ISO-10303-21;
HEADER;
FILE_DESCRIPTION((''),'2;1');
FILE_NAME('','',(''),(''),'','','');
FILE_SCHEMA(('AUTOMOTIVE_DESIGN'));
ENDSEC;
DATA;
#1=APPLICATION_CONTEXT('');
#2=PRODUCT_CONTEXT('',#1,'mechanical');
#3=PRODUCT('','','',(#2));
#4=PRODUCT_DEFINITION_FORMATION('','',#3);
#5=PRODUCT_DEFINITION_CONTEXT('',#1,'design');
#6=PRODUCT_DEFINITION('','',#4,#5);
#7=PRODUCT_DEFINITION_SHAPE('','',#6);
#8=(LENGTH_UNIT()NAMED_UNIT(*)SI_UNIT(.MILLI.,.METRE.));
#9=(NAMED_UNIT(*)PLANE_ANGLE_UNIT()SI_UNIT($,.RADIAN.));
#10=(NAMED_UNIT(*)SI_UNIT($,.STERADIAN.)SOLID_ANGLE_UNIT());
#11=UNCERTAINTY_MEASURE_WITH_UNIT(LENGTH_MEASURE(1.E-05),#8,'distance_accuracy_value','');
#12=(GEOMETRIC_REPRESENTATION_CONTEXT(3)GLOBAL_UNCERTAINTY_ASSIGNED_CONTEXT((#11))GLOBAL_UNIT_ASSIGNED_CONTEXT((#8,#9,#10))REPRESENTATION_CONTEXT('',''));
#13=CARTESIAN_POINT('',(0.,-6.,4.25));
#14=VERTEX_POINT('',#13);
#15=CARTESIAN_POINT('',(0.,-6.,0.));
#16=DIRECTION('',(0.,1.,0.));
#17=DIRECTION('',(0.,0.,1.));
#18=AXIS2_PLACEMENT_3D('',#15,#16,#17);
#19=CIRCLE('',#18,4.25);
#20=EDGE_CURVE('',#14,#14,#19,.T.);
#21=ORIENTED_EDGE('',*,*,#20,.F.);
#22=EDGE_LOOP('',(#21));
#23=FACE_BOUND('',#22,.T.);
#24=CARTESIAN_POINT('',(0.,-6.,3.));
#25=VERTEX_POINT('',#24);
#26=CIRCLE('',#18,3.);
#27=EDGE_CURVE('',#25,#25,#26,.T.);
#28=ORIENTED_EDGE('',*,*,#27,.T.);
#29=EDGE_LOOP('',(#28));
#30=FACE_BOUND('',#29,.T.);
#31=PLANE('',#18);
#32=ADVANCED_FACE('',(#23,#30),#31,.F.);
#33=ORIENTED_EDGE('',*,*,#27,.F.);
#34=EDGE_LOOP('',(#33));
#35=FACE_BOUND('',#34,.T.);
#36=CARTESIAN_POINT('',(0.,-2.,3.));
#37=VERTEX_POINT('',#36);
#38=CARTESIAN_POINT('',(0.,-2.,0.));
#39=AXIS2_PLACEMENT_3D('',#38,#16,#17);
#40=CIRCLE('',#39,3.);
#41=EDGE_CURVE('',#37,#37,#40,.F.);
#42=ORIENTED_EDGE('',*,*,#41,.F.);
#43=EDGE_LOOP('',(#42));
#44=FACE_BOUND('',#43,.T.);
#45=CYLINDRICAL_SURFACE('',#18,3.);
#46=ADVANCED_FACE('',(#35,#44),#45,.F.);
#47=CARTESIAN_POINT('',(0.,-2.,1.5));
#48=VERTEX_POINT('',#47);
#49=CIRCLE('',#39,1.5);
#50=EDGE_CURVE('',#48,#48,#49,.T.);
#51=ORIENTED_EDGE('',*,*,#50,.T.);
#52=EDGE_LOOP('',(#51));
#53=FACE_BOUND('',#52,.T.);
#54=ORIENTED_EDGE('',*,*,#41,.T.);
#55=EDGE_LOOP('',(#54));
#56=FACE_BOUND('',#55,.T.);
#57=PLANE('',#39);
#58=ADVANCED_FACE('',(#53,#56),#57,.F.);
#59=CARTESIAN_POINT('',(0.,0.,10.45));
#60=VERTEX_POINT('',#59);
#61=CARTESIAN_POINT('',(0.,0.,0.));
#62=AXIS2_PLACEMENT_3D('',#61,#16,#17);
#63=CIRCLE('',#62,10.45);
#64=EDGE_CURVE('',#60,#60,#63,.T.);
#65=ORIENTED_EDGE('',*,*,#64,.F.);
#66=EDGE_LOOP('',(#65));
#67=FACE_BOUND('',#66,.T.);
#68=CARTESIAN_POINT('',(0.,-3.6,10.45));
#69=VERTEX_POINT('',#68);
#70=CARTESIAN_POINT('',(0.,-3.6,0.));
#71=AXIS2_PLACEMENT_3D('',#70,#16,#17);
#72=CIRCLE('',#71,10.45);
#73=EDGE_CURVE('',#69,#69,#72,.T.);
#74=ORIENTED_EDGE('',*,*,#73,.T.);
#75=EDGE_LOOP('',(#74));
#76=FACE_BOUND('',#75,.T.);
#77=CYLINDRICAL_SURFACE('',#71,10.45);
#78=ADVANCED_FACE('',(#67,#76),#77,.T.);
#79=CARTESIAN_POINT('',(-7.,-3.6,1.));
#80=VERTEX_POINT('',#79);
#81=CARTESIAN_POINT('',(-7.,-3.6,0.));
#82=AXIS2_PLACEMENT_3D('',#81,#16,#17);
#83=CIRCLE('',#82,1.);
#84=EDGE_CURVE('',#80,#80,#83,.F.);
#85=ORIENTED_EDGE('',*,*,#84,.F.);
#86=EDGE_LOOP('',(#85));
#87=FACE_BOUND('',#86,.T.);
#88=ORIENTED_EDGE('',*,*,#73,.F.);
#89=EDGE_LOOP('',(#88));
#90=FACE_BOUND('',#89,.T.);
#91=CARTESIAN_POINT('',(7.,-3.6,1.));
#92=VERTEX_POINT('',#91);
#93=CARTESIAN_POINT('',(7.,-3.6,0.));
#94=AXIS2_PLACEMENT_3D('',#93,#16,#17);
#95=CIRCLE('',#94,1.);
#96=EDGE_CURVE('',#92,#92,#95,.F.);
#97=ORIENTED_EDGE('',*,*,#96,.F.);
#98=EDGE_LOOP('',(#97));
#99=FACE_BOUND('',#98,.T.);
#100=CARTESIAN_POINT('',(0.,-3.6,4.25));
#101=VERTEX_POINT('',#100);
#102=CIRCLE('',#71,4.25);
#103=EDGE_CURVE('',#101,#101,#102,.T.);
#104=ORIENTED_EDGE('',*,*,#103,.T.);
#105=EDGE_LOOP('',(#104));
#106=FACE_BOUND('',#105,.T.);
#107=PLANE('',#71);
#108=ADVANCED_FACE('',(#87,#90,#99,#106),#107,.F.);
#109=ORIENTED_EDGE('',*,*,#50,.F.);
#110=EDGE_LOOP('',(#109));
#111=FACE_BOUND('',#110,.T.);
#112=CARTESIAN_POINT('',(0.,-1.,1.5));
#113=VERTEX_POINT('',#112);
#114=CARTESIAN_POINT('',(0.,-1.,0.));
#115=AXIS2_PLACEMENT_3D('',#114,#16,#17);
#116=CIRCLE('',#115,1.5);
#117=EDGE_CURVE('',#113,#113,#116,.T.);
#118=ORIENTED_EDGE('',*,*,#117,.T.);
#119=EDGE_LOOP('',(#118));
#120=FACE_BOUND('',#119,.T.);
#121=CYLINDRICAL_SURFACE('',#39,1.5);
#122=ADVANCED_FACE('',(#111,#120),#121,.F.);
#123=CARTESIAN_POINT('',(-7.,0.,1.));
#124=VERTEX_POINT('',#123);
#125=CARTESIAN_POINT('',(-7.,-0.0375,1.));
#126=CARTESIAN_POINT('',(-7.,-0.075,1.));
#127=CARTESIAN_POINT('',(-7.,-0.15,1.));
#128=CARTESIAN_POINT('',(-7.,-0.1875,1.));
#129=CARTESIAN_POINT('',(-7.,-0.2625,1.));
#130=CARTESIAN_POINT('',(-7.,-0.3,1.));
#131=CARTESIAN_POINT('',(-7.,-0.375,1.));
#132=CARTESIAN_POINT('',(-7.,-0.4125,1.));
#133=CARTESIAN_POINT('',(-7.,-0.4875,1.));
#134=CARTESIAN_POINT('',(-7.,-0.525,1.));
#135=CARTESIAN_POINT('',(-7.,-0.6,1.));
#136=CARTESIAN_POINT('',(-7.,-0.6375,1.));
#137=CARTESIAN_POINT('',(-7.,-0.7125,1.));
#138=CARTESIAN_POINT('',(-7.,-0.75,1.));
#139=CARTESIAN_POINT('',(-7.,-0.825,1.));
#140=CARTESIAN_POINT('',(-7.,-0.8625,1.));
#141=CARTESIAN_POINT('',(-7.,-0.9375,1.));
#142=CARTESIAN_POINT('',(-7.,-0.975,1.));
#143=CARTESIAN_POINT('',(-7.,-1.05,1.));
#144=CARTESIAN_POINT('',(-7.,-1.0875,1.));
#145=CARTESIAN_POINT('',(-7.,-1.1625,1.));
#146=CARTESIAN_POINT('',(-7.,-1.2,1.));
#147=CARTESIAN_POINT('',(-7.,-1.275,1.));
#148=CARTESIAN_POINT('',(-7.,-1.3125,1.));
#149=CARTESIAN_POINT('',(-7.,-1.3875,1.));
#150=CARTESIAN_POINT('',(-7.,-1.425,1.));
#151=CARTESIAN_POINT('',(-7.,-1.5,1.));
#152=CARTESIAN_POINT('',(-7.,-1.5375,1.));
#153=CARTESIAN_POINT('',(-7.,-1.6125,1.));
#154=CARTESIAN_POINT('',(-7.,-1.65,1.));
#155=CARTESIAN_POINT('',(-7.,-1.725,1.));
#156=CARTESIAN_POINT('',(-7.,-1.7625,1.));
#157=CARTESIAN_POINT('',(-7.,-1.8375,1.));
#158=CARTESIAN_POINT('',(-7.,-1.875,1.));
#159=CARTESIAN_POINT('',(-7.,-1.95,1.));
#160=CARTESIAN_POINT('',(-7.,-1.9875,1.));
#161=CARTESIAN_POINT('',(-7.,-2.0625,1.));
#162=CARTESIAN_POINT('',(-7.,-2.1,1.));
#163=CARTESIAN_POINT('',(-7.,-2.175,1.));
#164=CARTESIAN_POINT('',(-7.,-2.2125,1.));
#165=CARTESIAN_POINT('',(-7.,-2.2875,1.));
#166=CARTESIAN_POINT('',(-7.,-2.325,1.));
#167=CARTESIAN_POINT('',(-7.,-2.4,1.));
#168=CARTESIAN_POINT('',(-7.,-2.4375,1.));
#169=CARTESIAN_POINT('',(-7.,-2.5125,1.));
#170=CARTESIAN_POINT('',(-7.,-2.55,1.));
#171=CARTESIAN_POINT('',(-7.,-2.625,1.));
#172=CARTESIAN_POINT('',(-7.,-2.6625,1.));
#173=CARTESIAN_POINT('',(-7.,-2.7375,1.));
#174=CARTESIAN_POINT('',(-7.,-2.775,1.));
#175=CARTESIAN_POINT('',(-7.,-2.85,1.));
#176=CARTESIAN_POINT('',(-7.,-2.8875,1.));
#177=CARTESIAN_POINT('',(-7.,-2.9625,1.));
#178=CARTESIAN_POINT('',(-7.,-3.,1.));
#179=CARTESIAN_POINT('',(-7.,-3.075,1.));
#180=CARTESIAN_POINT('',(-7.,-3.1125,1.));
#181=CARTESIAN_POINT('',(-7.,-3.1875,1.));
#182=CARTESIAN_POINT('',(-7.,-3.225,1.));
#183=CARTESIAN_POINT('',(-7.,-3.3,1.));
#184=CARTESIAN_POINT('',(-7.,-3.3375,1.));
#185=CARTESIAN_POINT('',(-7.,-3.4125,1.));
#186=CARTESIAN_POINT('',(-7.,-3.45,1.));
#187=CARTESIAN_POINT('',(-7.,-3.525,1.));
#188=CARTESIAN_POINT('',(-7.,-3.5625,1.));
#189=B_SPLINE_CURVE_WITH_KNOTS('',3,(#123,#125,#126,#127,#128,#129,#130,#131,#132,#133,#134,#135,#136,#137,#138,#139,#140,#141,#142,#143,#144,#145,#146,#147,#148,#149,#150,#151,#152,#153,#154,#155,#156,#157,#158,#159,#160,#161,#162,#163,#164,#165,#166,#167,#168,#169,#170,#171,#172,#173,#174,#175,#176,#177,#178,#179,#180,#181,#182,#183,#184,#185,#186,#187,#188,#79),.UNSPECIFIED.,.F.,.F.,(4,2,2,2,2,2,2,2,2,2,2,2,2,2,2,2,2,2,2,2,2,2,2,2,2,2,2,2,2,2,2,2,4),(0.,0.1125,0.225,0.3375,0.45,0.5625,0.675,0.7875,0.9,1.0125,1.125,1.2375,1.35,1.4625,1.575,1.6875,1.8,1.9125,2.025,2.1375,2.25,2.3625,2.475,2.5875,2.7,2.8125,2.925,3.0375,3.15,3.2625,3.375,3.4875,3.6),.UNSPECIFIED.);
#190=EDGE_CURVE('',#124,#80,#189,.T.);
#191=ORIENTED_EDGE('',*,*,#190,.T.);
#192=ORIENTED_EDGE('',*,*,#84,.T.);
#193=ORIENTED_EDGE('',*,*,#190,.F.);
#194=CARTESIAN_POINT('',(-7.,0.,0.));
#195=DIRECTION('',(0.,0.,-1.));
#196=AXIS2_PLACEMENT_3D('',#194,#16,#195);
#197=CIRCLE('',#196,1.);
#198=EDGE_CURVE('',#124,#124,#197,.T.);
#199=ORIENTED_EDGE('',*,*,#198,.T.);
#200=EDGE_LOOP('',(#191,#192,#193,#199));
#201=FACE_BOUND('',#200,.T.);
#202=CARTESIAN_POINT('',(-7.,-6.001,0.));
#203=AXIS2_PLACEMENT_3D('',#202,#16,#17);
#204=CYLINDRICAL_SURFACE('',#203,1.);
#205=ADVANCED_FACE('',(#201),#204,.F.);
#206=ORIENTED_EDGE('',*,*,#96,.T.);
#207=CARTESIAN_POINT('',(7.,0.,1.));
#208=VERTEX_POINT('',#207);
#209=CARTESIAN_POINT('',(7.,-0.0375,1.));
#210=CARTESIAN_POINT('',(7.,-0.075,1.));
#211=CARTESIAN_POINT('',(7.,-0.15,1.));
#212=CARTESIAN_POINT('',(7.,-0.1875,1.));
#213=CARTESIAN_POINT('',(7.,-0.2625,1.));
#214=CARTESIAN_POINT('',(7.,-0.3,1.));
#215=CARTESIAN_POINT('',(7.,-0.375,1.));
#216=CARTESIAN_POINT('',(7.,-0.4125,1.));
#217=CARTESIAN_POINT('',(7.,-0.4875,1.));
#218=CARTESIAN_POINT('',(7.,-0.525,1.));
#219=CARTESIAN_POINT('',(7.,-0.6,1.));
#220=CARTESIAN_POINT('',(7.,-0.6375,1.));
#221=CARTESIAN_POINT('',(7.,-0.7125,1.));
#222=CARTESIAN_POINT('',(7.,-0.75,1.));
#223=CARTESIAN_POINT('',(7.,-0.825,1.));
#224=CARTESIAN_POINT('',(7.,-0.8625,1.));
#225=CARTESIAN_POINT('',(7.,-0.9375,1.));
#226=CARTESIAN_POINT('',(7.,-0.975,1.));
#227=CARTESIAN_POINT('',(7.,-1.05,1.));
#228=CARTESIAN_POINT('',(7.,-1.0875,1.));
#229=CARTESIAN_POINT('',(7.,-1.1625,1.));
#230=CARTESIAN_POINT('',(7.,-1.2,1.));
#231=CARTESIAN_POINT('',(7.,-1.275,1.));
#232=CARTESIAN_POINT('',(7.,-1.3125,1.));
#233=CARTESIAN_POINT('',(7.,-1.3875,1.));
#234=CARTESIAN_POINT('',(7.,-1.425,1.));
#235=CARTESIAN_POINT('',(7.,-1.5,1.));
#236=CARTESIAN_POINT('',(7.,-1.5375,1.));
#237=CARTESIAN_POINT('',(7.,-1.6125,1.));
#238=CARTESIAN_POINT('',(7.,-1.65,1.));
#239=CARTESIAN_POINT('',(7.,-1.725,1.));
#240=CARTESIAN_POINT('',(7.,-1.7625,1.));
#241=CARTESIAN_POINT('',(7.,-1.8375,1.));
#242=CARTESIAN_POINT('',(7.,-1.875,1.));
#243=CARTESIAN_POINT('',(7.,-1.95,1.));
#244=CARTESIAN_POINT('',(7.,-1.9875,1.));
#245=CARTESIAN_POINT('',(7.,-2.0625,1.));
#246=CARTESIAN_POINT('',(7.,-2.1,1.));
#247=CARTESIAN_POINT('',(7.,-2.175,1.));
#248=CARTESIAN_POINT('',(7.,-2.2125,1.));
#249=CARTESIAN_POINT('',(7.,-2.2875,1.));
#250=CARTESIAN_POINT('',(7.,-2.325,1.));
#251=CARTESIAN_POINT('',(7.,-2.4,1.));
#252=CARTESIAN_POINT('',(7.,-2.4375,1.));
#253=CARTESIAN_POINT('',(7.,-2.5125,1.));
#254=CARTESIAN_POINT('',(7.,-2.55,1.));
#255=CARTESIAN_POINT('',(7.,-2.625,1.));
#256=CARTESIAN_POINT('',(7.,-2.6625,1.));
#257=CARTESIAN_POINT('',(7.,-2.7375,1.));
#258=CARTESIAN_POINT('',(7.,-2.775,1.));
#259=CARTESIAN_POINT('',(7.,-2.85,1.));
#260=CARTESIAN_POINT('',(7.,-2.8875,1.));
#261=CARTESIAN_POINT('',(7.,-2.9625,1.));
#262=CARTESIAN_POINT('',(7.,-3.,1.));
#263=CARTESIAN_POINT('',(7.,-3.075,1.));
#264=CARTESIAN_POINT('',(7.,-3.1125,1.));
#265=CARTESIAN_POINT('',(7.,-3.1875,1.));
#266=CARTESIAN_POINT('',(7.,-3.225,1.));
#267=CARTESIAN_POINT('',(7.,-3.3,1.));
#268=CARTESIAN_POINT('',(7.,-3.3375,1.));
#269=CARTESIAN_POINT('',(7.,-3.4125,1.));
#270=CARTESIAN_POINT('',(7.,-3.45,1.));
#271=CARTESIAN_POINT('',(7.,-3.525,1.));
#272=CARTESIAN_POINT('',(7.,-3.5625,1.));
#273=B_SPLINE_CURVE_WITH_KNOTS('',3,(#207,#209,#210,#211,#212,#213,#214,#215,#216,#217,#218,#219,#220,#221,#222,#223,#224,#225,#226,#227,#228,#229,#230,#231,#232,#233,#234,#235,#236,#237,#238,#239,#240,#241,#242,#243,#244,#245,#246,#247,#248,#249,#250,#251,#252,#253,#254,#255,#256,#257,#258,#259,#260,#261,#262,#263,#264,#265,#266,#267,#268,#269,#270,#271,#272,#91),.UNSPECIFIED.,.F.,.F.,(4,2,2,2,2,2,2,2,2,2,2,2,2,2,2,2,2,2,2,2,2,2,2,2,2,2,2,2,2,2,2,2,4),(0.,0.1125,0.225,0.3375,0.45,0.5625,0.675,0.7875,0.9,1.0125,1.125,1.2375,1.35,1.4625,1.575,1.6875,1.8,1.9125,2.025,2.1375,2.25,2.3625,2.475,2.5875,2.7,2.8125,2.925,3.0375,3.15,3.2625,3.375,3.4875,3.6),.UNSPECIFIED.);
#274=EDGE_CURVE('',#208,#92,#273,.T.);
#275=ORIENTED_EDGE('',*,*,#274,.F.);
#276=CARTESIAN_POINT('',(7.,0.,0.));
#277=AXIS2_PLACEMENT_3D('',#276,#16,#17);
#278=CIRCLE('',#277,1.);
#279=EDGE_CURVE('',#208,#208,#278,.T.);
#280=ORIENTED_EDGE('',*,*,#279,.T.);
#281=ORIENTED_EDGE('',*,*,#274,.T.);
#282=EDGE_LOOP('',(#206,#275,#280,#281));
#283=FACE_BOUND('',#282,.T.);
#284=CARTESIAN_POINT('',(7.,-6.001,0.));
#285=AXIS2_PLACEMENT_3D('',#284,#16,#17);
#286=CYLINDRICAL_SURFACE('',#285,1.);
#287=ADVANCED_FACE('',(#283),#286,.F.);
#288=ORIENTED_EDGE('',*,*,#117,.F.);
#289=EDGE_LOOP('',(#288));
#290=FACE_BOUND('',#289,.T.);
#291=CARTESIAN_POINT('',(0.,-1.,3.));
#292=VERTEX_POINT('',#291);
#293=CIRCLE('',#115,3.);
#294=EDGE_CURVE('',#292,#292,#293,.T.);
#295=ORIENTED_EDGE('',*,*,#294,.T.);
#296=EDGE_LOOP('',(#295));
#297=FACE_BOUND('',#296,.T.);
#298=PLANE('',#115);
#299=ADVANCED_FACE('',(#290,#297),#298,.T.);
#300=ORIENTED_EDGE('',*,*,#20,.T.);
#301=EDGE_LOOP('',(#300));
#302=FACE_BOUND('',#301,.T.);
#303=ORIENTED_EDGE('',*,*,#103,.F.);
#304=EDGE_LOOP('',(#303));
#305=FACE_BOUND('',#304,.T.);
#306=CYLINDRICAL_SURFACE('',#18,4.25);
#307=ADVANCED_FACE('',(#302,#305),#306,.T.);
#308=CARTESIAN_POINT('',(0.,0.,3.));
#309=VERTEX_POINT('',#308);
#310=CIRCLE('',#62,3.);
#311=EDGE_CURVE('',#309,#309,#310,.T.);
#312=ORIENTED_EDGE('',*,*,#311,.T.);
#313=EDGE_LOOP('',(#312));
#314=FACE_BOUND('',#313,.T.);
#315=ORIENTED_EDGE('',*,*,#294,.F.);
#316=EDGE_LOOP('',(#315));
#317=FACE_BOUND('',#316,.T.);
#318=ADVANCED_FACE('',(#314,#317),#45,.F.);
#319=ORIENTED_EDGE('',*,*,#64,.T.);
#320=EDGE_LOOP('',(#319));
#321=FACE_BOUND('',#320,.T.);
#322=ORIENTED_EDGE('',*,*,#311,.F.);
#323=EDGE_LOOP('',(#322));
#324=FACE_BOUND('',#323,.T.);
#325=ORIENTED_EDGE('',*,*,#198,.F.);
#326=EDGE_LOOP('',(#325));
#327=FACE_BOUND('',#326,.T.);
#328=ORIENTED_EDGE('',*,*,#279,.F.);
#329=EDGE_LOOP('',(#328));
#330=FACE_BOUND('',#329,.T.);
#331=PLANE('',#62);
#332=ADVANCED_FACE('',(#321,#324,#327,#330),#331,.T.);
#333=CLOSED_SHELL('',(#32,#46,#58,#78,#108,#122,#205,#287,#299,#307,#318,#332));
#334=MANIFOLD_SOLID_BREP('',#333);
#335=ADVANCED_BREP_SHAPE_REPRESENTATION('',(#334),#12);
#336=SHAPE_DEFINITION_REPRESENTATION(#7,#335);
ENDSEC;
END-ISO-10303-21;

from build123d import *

# Parameters (mm, degrees)
CROQUIS1_R              = 10.45
CROQUIS1_R_2            = 4.25
SALIENTE_EXTRUIR1_DEPTH = 3.6
CROQUIS1_3_R            = 4.25
CROQUIS1_3_R_2          = 3
SALIENTE_EXTRUIR2_DEPTH = 6
CORTAR_EXTRUIR1_REACH   = 17.95
CROQUIS3_R              = 1
SALIENTE_EXTRUIR3_START = -1
CROQUIS4_R              = 3
SALIENTE_EXTRUIR3_DEPTH = 1
CROQUIS5_R              = 1.5
CORTAR_EXTRUIR2_DEPTH   = 1


with BuildPart() as part:
    # Croquis1 → Saliente-Extruir1 (new body)
    with BuildSketch(Plane(origin=(0, 0, 0), x_dir=(1, 0, 0), z_dir=(0, 1, 0))):
        with Locations(Location((0, 0, 0), (0, 0, 270))):
            Circle(CROQUIS1_R)
        with Locations(Location((0, 0, 0), (0, 0, 270))):
            Circle(CROQUIS1_R_2, mode=Mode.SUBTRACT)
    extrude(amount=-SALIENTE_EXTRUIR1_DEPTH)

    # Croquis1<3> → Saliente-Extruir2 (add)
    with BuildSketch(Plane(origin=(0, 0, 0), x_dir=(1, 0, 0), z_dir=(0, 1, 0))):
        with Locations(Location((0, 0, 0), (0, 0, 270))):
            Circle(CROQUIS1_3_R)
        with Locations(Location((0, 0, 0), (0, 0, 270))):
            Circle(CROQUIS1_3_R_2, mode=Mode.SUBTRACT)
    extrude(amount=-SALIENTE_EXTRUIR2_DEPTH)

    # Croquis3 → Cortar-Extruir1 (cut, up to next)
    with BuildSketch(Plane(origin=(0, 0, 0), x_dir=(1, 0, 0), z_dir=(0, 1, 0)), mode=Mode.PRIVATE) as cortar_extruir1_sk1:
        with Locations(Location((7, 0, 0), (0, 0, 270))):
            Circle(CROQUIS3_R)
    cortar_extruir1_tool1 = extrude(cortar_extruir1_sk1.sketch, amount=-CORTAR_EXTRUIR1_REACH, mode=Mode.PRIVATE) & part.part
    # Croquis3 → Cortar-Extruir1 (cut, up to next)
    with BuildSketch(Plane(origin=(0, 0, 0), x_dir=(1, 0, 0), z_dir=(0, 1, 0)), mode=Mode.PRIVATE) as cortar_extruir1_sk2:
        with Locations(Location((-7, 0, 0), (0, 0, 270))):
            Circle(CROQUIS3_R)
    cortar_extruir1_tool2 = extrude(cortar_extruir1_sk2.sketch, amount=-CORTAR_EXTRUIR1_REACH, mode=Mode.PRIVATE) & part.part
    add(cortar_extruir1_tool1.solids().sort_by_distance((7, 0, 0))[0], mode=Mode.SUBTRACT)
    add(cortar_extruir1_tool2.solids().sort_by_distance((-7, 0, 0))[0], mode=Mode.SUBTRACT)

    # Croquis4 → Saliente-Extruir3 (add)
    with BuildSketch(Plane(origin=(0, 0, 0), x_dir=(1, 0, 0), z_dir=(0, 1, 0)).offset(SALIENTE_EXTRUIR3_START)):
        with Locations(Location((0, 0, 0), (0, 0, 270))):
            Circle(CROQUIS4_R)
    extrude(amount=-SALIENTE_EXTRUIR3_DEPTH)

    # Croquis5 → Cortar-Extruir2 (cut)
    with BuildSketch(Plane(origin=(0, -1, 0), x_dir=(1, 0, 0), z_dir=(0, 1, 0))):
        with Locations(Location((0, 0, 0), (0, 0, 270))):
            Circle(CROQUIS5_R)
    extrude(amount=-CORTAR_EXTRUIR2_DEPTH, mode=Mode.SUBTRACT)


solid = part.part
